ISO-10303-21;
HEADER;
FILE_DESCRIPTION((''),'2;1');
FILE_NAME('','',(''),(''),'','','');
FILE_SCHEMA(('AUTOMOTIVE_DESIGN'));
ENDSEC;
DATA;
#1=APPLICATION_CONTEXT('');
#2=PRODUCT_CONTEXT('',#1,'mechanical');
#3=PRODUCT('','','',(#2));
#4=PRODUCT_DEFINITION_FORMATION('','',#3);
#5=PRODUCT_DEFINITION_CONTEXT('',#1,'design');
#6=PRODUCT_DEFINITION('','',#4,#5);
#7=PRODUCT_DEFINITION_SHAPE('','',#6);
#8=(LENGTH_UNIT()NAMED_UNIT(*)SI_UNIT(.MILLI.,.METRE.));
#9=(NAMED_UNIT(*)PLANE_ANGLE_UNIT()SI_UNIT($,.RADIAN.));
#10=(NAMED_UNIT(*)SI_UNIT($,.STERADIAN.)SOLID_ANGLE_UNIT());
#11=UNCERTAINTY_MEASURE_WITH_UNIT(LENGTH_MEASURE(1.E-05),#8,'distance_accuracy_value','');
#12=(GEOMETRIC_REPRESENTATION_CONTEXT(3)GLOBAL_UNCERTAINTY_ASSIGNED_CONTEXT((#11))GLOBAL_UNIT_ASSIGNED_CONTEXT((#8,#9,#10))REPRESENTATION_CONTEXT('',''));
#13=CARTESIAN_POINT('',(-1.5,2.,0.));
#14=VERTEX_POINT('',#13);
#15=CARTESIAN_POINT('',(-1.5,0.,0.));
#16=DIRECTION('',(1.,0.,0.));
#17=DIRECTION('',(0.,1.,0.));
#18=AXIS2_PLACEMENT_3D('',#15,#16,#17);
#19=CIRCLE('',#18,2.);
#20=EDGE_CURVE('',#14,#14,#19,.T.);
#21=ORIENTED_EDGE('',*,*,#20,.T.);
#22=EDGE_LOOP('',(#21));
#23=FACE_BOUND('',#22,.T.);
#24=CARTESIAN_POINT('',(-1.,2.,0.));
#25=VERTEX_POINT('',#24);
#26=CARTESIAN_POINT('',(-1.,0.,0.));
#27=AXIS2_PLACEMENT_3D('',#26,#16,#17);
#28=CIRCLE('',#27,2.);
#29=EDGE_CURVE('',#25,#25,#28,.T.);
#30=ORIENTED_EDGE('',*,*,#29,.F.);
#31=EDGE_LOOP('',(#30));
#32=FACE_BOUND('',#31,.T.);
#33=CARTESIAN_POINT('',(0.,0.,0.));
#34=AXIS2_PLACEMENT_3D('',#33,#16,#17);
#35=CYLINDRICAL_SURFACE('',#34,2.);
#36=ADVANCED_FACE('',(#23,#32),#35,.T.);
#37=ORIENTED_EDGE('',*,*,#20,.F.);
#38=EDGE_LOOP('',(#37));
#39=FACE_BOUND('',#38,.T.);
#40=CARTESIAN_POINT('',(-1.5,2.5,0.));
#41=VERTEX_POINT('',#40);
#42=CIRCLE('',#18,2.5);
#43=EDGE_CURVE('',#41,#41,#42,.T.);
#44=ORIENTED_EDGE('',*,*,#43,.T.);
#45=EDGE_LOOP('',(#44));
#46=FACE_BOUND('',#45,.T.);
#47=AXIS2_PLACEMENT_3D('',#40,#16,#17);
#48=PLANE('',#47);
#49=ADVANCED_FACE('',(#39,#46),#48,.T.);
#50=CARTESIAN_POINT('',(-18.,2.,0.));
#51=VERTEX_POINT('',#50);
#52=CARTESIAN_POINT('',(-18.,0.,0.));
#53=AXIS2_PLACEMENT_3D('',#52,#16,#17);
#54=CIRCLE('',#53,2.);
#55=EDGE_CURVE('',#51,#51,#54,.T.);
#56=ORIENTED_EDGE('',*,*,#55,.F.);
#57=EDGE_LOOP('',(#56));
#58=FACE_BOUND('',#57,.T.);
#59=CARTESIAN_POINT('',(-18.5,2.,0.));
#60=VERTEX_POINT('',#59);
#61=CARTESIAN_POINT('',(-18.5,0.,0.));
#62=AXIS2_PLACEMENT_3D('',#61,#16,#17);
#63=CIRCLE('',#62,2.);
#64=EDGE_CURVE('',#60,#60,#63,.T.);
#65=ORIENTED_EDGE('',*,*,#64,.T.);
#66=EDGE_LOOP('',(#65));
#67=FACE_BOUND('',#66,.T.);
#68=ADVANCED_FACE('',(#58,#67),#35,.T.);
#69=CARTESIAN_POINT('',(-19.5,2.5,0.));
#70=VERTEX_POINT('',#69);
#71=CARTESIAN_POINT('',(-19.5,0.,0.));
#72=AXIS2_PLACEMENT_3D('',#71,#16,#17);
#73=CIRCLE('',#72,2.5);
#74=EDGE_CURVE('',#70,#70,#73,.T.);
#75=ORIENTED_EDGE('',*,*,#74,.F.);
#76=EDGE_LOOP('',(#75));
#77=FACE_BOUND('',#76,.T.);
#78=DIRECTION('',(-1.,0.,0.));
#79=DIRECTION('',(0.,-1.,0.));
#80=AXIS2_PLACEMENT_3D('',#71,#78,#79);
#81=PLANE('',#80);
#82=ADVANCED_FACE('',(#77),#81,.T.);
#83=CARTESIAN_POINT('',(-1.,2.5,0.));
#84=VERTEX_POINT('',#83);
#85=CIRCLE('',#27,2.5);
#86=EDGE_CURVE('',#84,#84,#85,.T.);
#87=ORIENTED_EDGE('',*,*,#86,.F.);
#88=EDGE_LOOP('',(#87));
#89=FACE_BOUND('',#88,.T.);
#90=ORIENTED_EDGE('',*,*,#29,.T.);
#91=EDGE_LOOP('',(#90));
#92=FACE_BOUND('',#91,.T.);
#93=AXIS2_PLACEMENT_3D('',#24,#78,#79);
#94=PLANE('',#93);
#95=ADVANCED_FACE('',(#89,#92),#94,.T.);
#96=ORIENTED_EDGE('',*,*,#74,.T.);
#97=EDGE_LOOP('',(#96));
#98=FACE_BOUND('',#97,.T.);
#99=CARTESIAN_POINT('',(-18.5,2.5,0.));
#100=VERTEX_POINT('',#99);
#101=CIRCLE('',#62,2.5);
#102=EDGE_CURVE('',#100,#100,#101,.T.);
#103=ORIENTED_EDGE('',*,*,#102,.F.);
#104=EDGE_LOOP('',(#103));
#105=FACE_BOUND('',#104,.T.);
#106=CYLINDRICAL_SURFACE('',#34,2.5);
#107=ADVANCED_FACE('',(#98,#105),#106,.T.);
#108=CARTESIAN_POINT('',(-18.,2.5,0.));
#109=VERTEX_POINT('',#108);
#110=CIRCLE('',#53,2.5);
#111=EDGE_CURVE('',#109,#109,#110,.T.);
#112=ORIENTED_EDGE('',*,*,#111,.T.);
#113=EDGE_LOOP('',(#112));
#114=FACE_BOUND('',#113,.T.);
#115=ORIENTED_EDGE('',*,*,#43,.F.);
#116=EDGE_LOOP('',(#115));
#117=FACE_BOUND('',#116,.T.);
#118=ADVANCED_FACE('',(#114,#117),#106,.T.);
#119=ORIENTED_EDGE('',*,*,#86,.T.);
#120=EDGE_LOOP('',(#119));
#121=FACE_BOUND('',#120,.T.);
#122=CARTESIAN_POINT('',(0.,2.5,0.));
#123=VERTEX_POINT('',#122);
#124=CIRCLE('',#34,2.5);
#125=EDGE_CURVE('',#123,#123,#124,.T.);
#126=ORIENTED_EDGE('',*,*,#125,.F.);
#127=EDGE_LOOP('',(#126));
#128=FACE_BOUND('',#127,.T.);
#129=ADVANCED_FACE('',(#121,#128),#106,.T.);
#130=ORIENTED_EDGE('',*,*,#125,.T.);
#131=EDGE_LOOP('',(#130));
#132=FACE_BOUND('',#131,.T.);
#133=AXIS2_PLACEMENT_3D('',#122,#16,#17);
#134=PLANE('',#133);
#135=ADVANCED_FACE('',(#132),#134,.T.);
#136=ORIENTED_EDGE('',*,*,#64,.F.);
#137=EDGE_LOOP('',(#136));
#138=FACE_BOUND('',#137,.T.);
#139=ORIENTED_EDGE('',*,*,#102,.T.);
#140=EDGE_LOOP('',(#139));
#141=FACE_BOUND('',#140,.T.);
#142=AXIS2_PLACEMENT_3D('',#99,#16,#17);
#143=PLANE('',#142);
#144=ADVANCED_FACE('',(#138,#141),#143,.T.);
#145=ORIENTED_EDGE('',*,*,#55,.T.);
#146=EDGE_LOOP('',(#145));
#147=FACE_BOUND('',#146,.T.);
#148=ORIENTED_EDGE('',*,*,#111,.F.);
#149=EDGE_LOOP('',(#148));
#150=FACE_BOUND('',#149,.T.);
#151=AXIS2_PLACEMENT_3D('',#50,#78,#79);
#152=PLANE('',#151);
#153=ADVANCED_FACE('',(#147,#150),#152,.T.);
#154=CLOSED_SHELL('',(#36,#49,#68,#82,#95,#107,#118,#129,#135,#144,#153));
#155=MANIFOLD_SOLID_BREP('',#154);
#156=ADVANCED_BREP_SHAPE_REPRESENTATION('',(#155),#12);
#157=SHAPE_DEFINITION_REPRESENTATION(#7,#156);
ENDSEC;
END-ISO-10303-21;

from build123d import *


with BuildPart() as part:
    # Sketch2 → Revolve1 (revolve)
    with BuildSketch(Plane.XY):
        Polygon((0, 2.5), (0, 0), (-19.5, 0), (-19.5, 2.5), (-18.5, 2.5), (-18.5, 2), (-18, 2), (-18, 2.5), (-1.5, 2.5), (-1.5, 2), (-1, 2), (-1, 2.5), align=None)
    revolve(axis=Axis((0, 0, 0), (-1, 0, 0)))


solid = part.part
